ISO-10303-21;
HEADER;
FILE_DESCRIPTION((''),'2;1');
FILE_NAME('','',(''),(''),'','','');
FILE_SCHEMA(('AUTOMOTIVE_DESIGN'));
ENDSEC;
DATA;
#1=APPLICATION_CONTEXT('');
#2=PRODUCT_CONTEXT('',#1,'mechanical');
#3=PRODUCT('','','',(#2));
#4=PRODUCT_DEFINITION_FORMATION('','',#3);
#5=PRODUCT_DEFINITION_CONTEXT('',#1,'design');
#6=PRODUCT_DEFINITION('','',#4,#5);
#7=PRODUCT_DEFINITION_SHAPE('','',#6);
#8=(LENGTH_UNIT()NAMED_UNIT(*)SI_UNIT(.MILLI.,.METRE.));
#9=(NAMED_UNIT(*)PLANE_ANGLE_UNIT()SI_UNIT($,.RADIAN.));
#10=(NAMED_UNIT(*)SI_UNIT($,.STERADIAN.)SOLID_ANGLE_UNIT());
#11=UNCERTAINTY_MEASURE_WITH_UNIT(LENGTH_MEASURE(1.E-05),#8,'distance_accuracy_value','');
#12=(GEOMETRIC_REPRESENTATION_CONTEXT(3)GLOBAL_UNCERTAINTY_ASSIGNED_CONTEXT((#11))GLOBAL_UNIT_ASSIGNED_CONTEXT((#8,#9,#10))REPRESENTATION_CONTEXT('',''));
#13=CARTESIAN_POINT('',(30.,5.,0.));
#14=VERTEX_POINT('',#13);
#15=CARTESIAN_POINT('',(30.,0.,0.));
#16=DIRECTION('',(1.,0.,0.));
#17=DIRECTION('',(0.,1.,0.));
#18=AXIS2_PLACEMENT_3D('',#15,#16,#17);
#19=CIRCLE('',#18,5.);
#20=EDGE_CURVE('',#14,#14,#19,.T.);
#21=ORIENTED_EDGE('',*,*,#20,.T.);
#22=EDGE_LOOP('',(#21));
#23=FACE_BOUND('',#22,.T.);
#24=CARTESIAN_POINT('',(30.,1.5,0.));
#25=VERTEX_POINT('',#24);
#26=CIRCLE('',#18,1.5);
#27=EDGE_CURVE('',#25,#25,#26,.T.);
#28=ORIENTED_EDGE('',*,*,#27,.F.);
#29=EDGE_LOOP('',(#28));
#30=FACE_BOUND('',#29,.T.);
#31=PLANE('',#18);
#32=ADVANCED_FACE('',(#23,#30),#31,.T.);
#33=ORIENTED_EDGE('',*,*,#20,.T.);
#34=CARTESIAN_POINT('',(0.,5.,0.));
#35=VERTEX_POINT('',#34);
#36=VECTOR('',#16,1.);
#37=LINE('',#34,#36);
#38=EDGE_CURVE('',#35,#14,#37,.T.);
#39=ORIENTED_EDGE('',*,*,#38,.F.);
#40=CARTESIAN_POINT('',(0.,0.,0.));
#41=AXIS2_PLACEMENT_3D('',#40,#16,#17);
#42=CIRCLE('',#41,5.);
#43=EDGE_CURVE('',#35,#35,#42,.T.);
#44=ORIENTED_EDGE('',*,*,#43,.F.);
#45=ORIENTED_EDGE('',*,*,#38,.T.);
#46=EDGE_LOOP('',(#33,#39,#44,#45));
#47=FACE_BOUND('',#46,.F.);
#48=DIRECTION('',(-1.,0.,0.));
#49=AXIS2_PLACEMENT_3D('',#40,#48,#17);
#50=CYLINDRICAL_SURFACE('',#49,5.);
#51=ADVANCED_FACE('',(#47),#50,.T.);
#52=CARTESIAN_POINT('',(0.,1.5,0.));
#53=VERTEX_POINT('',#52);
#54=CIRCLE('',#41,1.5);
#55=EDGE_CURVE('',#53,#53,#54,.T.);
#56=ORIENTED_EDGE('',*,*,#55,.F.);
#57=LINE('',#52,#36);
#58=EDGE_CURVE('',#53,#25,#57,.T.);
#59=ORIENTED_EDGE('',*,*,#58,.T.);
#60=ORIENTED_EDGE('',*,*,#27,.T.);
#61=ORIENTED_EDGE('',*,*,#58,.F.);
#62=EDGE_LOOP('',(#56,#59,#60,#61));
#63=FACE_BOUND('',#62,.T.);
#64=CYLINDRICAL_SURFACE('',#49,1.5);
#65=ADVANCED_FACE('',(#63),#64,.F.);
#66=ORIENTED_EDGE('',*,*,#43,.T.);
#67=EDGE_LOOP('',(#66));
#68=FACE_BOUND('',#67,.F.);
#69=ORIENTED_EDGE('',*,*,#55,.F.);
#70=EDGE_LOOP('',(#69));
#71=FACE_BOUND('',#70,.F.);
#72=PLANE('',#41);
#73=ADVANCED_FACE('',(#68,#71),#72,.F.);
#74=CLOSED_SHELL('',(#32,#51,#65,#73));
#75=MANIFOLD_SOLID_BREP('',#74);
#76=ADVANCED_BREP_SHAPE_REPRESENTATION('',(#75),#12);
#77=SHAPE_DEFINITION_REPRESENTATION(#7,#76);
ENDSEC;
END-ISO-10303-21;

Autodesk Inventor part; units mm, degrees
ref_plane "YZ Plane" through (0, 0, 0) normal (1, 0, 0) x (0, 1, 0)
ref_plane "XZ Plane" through (0, 0, 0) normal (0, 1, 0) x (-1, 0, 0)
ref_plane "XY Plane" through (0, 0, 0) normal (0, 0, 1) x (1, 0, 0)
sketch "スケッチ1" plane through (0, 0, 0) normal (1, 0, 0) x (0, 1, 0)
  circle A0 centre (0, 0) radius 5
  circle A1 centre (0, 0) radius 1.5
  dimension "d0" = 10
  dimension "d1" = 3
extrude "押し出し1" add sketch "スケッチ1" along normal blind 30
properties part number "SilliconeTube_Mount"
